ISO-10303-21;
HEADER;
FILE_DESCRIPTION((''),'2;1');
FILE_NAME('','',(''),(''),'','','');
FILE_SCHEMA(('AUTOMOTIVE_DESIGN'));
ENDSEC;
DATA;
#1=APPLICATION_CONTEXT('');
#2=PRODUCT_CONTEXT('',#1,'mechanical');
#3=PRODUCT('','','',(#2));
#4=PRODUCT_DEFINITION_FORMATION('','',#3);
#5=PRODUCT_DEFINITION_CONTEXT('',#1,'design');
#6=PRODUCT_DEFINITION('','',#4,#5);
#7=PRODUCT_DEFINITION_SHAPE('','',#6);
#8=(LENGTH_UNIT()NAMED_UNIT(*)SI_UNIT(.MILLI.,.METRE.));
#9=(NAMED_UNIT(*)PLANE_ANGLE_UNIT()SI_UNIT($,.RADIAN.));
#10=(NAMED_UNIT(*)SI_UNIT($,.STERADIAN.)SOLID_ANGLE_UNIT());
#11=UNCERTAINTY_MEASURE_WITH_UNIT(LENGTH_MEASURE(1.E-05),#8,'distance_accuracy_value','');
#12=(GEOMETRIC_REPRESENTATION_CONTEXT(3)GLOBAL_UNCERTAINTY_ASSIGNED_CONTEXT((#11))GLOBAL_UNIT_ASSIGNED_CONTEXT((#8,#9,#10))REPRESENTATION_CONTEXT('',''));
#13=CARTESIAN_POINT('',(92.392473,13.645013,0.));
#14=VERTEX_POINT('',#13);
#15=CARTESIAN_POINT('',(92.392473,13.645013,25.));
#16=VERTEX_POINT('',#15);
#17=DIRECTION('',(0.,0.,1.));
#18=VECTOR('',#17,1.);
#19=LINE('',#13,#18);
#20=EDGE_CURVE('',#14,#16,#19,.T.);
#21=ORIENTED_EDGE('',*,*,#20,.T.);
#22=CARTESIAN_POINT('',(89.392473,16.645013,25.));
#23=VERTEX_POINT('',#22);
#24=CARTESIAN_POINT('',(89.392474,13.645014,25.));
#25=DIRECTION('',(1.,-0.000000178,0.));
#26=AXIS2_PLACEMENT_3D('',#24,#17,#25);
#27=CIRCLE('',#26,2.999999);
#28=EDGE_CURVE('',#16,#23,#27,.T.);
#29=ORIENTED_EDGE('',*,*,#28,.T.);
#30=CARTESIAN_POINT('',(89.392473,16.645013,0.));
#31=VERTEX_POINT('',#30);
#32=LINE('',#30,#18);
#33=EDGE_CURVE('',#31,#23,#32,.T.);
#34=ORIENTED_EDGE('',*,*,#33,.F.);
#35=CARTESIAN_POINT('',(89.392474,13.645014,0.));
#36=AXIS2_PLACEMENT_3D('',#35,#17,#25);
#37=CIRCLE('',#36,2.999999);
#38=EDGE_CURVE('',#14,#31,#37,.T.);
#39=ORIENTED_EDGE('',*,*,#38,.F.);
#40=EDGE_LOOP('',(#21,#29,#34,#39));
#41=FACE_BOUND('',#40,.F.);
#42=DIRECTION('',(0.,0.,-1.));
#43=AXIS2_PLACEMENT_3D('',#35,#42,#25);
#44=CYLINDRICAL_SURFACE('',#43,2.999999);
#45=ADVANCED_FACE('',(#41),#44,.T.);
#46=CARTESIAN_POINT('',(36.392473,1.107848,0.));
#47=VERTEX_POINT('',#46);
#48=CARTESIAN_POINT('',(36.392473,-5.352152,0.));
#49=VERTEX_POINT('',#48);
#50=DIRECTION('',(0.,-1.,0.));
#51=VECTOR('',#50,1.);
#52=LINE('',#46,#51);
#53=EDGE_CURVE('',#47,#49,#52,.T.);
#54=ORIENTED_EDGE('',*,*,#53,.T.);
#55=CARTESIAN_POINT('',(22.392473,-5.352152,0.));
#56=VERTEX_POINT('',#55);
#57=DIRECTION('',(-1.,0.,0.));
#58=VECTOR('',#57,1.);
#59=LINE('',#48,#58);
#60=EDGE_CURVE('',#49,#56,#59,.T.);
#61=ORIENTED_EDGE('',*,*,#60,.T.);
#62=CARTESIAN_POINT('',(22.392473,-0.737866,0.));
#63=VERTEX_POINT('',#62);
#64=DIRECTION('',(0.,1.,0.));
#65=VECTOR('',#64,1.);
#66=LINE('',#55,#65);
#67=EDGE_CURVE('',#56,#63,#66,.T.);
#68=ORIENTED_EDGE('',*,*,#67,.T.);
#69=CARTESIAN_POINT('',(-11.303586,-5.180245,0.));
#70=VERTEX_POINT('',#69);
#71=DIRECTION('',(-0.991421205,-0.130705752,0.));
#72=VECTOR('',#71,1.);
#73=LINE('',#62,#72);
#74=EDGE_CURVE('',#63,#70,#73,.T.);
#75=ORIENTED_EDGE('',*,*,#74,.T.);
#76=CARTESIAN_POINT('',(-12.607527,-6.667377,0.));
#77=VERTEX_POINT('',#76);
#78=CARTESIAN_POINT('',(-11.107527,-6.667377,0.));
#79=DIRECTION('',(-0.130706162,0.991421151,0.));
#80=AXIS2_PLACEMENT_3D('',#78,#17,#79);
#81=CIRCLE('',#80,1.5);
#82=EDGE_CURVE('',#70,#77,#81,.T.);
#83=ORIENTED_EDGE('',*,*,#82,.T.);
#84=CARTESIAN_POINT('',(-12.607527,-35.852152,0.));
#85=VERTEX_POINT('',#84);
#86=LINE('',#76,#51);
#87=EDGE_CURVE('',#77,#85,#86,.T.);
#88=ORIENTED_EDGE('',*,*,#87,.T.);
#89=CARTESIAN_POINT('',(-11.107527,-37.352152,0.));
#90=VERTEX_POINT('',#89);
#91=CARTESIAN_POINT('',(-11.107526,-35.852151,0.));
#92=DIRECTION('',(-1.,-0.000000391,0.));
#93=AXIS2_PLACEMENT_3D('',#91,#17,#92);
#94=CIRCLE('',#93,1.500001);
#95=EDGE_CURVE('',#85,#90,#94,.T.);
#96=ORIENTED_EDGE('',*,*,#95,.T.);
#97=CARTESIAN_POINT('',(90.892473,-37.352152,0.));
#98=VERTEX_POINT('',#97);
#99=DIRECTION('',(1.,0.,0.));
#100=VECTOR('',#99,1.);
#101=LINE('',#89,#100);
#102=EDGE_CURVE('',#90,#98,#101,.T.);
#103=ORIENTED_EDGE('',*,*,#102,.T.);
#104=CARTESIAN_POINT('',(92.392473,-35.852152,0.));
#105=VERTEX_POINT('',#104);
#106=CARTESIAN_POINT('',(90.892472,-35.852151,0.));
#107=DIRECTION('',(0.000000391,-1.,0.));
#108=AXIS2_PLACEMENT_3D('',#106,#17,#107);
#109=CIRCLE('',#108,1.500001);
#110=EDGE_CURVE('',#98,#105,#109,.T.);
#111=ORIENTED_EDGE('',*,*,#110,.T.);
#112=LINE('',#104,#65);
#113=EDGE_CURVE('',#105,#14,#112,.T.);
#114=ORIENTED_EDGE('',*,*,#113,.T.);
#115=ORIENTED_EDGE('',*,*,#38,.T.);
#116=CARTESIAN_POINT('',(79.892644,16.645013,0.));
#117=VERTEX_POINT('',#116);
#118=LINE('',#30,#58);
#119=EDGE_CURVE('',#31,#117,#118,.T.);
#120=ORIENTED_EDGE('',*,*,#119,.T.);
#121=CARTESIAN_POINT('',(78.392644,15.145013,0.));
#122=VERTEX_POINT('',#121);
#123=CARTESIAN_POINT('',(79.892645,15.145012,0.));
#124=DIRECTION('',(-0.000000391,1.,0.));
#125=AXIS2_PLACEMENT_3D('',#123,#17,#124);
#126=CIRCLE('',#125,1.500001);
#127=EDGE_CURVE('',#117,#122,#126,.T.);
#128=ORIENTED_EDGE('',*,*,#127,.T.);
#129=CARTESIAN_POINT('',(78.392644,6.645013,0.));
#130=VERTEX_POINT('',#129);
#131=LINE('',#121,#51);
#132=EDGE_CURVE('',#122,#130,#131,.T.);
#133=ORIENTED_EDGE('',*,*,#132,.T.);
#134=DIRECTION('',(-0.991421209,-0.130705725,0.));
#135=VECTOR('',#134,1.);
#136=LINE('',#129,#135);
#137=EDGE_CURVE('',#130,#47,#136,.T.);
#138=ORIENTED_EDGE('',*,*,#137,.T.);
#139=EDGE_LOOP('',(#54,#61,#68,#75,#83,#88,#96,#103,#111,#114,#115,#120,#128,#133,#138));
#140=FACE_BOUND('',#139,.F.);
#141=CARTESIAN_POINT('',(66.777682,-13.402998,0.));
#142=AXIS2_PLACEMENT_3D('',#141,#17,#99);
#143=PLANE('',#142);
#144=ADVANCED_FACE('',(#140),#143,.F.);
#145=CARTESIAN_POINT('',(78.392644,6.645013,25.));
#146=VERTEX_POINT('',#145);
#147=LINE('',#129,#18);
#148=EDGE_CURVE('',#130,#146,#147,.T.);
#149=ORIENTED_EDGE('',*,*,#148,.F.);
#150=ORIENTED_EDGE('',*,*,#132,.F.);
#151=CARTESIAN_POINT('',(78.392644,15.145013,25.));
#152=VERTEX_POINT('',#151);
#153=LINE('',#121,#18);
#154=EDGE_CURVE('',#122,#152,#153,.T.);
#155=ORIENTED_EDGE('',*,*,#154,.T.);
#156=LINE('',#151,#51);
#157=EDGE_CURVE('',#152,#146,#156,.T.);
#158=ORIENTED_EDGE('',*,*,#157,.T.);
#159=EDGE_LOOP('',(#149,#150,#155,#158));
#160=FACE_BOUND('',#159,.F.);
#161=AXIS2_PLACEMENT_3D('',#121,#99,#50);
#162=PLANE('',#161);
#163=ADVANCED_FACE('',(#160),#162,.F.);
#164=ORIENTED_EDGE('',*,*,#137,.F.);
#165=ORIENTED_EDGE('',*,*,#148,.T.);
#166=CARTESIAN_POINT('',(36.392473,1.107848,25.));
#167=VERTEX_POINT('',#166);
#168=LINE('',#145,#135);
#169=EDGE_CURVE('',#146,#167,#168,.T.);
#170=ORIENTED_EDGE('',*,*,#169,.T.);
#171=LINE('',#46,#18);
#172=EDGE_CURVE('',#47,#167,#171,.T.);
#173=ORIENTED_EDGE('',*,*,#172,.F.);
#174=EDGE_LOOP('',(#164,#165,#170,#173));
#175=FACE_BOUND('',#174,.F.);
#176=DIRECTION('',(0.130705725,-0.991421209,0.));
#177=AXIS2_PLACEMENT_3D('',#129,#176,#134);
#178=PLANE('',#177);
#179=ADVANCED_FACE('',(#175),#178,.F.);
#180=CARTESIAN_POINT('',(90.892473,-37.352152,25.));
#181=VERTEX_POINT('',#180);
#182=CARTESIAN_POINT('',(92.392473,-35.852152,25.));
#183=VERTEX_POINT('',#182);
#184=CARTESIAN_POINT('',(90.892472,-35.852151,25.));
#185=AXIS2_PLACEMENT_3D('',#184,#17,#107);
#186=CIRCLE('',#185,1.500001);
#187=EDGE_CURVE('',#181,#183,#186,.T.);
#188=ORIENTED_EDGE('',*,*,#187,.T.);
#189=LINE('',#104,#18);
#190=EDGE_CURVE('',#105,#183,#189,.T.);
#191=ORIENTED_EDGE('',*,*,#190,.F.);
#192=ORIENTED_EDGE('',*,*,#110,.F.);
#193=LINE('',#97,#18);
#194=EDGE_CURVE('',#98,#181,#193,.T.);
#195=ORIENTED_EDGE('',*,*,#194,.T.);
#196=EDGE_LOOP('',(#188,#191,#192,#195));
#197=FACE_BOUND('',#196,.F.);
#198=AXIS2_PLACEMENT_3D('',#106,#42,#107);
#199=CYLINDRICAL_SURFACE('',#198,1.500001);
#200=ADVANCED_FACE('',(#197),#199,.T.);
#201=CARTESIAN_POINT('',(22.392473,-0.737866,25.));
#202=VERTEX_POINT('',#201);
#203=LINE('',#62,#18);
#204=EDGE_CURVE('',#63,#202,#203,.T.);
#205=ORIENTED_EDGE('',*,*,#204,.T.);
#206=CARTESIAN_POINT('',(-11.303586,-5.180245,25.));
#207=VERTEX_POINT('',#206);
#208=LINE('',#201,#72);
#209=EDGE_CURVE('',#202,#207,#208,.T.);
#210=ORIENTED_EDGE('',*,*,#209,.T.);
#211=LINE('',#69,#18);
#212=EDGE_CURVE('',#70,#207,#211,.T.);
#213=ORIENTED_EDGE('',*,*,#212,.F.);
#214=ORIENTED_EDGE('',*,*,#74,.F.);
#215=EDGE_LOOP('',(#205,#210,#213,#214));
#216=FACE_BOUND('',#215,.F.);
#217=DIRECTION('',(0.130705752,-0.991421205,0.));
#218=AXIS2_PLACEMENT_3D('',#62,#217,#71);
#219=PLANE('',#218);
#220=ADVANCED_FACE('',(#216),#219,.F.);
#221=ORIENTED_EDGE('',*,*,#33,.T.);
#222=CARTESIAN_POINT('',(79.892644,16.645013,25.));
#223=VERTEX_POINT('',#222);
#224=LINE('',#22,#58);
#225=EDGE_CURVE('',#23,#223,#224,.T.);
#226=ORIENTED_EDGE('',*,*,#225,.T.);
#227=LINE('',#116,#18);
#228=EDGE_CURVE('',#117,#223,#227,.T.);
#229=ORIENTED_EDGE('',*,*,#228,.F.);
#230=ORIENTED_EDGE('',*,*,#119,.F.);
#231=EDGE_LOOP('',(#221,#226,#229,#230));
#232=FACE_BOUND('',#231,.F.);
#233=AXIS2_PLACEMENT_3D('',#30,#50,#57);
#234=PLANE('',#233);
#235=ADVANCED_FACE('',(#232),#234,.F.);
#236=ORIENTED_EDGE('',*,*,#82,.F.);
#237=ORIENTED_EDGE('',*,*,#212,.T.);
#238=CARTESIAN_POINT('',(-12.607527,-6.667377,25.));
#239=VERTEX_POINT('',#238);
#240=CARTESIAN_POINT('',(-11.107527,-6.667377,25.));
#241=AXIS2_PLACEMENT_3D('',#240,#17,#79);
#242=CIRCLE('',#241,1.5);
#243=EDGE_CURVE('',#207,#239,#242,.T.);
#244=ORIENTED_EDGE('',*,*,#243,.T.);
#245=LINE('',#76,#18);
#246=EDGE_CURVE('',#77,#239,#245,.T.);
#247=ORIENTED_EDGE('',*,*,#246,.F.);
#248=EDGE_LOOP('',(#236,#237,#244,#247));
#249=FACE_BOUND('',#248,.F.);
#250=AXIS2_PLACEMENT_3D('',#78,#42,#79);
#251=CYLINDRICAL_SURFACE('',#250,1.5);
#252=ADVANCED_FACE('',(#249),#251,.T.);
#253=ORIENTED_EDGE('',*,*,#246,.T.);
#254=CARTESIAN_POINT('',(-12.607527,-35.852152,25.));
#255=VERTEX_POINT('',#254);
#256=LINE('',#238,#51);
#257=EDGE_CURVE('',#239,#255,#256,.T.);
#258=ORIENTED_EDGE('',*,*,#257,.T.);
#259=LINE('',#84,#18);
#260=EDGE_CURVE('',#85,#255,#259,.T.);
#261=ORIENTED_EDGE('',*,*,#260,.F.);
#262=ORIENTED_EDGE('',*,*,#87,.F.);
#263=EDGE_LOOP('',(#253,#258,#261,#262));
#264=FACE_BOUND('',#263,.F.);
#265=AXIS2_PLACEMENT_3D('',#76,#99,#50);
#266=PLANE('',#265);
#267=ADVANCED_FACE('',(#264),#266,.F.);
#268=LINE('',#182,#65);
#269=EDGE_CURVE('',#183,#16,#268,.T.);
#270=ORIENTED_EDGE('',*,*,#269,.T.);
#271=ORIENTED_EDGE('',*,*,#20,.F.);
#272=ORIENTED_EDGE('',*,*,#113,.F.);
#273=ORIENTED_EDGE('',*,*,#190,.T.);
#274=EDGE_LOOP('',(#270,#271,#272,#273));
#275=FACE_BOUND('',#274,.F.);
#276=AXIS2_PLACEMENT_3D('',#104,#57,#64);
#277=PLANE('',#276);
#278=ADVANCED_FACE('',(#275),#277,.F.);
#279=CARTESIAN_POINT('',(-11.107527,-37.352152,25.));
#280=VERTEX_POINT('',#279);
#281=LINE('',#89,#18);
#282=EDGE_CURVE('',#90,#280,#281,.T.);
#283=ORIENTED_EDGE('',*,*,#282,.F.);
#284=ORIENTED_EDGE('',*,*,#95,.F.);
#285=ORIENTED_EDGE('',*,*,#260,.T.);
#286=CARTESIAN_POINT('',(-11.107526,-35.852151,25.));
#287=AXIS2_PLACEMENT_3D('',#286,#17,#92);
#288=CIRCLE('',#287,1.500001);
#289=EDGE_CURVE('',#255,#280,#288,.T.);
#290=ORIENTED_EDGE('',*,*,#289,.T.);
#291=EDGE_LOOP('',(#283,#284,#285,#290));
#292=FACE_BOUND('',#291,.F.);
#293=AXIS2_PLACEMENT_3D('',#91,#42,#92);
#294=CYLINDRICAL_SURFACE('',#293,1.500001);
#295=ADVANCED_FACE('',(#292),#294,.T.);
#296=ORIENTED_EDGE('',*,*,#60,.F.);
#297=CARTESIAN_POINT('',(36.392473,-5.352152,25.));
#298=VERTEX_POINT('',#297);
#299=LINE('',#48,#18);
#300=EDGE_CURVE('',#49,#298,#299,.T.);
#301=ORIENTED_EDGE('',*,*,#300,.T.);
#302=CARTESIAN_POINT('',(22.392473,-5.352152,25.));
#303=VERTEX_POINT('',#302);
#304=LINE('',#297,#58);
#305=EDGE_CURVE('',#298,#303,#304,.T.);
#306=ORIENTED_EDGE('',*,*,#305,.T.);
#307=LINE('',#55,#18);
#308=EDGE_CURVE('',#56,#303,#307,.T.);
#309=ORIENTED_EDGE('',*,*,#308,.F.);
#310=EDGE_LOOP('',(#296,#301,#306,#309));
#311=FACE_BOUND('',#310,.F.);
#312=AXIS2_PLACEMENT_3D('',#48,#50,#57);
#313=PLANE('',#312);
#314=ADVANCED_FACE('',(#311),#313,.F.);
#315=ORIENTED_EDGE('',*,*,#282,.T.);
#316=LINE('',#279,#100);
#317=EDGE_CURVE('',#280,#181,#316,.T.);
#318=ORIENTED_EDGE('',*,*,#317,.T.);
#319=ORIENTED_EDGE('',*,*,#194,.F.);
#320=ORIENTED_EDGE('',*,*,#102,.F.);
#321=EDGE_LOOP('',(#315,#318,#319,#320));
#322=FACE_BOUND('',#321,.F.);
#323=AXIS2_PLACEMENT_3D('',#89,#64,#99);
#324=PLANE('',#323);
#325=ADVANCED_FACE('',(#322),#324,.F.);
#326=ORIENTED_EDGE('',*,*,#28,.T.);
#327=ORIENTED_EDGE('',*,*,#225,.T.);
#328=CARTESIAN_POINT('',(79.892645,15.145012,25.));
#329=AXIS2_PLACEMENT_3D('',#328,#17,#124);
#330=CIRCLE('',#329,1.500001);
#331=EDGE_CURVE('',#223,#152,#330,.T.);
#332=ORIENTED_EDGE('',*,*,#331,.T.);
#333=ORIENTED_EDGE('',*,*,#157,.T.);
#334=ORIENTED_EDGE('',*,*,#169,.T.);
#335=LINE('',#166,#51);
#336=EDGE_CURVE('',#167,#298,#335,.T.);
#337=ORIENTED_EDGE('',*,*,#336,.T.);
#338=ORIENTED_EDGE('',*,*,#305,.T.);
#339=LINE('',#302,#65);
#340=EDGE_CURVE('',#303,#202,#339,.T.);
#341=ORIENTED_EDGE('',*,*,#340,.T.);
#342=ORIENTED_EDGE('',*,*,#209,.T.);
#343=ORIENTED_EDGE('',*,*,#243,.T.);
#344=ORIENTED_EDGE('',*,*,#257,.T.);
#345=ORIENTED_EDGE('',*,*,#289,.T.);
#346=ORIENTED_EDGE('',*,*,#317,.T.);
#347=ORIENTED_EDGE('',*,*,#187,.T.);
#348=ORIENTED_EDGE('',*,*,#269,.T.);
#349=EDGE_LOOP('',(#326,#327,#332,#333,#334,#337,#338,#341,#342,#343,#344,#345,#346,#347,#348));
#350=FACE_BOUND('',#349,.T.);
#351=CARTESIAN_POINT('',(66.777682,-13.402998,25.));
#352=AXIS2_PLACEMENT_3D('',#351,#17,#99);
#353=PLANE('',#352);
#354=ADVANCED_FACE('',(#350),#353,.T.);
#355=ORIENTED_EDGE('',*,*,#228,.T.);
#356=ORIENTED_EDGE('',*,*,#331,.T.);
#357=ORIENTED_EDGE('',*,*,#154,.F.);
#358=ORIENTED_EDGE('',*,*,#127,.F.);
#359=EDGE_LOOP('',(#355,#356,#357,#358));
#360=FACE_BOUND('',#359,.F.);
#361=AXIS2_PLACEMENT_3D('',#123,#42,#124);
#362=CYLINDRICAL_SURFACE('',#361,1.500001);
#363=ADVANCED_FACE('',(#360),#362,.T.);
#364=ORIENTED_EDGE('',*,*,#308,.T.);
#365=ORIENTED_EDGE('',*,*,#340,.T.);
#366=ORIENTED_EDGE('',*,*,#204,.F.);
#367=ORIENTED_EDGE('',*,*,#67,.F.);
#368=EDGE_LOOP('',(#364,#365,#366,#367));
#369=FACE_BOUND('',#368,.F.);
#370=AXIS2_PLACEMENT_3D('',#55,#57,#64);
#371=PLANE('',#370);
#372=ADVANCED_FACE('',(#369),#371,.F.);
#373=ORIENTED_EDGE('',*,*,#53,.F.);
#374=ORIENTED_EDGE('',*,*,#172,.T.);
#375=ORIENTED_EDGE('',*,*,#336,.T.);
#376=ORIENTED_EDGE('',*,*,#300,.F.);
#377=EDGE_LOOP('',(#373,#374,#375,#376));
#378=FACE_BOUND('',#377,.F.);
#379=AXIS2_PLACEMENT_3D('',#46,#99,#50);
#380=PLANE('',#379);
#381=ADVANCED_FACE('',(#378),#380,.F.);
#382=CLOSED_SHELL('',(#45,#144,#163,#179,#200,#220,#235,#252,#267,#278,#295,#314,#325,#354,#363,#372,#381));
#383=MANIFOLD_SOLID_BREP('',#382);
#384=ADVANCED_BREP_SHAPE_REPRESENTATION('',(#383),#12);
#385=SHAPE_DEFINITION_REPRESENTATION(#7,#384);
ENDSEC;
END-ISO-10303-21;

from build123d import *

# Parameters (mm, degrees)
F1_DEPTH = 25


with BuildPart() as f1:
    # F0 (on Top) → F1 (new body)
    with BuildSketch(Plane.XY):
        with BuildLine():
            Line((78.392473, -37.352152), (90.892473, -37.352152))
            ThreePointArc((90.892473, -37.352152), (91.953133, -36.912812), (92.392473, -35.852152))
            Line((92.392473, -35.852152), (92.392473, 13.645013))
            ThreePointArc((92.392473, 13.645013), (91.513793, 15.766334), (89.392473, 16.645013))
            Line((89.392473, 16.645013), (79.892644, 16.645013))
            ThreePointArc((79.892644, 16.645013), (78.831984, 16.205673), (78.392644, 15.145013))
            Line((78.392644, 15.145013), (78.392644, 6.645013))
            Line((78.392644, 6.645013), (36.392473, 1.107848))
            Line((36.392473, 1.107848), (36.392473, -5.352152))
            Line((36.392473, -5.352152), (36.392473, -37.352152))
            Line((36.392473, -37.352152), (78.392473, -37.352152))
        make_face()
        with BuildLine():
            Line((22.392473, -37.352152), (36.392473, -37.352152))
            Line((36.392473, -37.352152), (36.392473, -5.352152))
            Line((36.392473, -5.352152), (22.392473, -5.352152))
            Line((22.392473, -5.352152), (22.392473, -0.737866))
            Line((22.392473, -0.737866), (-11.303586, -5.180245))
            ThreePointArc((-11.303586, -5.180245), (-12.235376, -5.67846), (-12.607527, -6.667377))
            Line((-12.607527, -6.667377), (-12.607527, -35.852152))
            ThreePointArc((-12.607527, -35.852152), (-12.168187, -36.912812), (-11.107527, -37.352152))
            Line((-11.107527, -37.352152), (22.392473, -37.352152))
        make_face()
    extrude(amount=F1_DEPTH)


solid = f1.part
